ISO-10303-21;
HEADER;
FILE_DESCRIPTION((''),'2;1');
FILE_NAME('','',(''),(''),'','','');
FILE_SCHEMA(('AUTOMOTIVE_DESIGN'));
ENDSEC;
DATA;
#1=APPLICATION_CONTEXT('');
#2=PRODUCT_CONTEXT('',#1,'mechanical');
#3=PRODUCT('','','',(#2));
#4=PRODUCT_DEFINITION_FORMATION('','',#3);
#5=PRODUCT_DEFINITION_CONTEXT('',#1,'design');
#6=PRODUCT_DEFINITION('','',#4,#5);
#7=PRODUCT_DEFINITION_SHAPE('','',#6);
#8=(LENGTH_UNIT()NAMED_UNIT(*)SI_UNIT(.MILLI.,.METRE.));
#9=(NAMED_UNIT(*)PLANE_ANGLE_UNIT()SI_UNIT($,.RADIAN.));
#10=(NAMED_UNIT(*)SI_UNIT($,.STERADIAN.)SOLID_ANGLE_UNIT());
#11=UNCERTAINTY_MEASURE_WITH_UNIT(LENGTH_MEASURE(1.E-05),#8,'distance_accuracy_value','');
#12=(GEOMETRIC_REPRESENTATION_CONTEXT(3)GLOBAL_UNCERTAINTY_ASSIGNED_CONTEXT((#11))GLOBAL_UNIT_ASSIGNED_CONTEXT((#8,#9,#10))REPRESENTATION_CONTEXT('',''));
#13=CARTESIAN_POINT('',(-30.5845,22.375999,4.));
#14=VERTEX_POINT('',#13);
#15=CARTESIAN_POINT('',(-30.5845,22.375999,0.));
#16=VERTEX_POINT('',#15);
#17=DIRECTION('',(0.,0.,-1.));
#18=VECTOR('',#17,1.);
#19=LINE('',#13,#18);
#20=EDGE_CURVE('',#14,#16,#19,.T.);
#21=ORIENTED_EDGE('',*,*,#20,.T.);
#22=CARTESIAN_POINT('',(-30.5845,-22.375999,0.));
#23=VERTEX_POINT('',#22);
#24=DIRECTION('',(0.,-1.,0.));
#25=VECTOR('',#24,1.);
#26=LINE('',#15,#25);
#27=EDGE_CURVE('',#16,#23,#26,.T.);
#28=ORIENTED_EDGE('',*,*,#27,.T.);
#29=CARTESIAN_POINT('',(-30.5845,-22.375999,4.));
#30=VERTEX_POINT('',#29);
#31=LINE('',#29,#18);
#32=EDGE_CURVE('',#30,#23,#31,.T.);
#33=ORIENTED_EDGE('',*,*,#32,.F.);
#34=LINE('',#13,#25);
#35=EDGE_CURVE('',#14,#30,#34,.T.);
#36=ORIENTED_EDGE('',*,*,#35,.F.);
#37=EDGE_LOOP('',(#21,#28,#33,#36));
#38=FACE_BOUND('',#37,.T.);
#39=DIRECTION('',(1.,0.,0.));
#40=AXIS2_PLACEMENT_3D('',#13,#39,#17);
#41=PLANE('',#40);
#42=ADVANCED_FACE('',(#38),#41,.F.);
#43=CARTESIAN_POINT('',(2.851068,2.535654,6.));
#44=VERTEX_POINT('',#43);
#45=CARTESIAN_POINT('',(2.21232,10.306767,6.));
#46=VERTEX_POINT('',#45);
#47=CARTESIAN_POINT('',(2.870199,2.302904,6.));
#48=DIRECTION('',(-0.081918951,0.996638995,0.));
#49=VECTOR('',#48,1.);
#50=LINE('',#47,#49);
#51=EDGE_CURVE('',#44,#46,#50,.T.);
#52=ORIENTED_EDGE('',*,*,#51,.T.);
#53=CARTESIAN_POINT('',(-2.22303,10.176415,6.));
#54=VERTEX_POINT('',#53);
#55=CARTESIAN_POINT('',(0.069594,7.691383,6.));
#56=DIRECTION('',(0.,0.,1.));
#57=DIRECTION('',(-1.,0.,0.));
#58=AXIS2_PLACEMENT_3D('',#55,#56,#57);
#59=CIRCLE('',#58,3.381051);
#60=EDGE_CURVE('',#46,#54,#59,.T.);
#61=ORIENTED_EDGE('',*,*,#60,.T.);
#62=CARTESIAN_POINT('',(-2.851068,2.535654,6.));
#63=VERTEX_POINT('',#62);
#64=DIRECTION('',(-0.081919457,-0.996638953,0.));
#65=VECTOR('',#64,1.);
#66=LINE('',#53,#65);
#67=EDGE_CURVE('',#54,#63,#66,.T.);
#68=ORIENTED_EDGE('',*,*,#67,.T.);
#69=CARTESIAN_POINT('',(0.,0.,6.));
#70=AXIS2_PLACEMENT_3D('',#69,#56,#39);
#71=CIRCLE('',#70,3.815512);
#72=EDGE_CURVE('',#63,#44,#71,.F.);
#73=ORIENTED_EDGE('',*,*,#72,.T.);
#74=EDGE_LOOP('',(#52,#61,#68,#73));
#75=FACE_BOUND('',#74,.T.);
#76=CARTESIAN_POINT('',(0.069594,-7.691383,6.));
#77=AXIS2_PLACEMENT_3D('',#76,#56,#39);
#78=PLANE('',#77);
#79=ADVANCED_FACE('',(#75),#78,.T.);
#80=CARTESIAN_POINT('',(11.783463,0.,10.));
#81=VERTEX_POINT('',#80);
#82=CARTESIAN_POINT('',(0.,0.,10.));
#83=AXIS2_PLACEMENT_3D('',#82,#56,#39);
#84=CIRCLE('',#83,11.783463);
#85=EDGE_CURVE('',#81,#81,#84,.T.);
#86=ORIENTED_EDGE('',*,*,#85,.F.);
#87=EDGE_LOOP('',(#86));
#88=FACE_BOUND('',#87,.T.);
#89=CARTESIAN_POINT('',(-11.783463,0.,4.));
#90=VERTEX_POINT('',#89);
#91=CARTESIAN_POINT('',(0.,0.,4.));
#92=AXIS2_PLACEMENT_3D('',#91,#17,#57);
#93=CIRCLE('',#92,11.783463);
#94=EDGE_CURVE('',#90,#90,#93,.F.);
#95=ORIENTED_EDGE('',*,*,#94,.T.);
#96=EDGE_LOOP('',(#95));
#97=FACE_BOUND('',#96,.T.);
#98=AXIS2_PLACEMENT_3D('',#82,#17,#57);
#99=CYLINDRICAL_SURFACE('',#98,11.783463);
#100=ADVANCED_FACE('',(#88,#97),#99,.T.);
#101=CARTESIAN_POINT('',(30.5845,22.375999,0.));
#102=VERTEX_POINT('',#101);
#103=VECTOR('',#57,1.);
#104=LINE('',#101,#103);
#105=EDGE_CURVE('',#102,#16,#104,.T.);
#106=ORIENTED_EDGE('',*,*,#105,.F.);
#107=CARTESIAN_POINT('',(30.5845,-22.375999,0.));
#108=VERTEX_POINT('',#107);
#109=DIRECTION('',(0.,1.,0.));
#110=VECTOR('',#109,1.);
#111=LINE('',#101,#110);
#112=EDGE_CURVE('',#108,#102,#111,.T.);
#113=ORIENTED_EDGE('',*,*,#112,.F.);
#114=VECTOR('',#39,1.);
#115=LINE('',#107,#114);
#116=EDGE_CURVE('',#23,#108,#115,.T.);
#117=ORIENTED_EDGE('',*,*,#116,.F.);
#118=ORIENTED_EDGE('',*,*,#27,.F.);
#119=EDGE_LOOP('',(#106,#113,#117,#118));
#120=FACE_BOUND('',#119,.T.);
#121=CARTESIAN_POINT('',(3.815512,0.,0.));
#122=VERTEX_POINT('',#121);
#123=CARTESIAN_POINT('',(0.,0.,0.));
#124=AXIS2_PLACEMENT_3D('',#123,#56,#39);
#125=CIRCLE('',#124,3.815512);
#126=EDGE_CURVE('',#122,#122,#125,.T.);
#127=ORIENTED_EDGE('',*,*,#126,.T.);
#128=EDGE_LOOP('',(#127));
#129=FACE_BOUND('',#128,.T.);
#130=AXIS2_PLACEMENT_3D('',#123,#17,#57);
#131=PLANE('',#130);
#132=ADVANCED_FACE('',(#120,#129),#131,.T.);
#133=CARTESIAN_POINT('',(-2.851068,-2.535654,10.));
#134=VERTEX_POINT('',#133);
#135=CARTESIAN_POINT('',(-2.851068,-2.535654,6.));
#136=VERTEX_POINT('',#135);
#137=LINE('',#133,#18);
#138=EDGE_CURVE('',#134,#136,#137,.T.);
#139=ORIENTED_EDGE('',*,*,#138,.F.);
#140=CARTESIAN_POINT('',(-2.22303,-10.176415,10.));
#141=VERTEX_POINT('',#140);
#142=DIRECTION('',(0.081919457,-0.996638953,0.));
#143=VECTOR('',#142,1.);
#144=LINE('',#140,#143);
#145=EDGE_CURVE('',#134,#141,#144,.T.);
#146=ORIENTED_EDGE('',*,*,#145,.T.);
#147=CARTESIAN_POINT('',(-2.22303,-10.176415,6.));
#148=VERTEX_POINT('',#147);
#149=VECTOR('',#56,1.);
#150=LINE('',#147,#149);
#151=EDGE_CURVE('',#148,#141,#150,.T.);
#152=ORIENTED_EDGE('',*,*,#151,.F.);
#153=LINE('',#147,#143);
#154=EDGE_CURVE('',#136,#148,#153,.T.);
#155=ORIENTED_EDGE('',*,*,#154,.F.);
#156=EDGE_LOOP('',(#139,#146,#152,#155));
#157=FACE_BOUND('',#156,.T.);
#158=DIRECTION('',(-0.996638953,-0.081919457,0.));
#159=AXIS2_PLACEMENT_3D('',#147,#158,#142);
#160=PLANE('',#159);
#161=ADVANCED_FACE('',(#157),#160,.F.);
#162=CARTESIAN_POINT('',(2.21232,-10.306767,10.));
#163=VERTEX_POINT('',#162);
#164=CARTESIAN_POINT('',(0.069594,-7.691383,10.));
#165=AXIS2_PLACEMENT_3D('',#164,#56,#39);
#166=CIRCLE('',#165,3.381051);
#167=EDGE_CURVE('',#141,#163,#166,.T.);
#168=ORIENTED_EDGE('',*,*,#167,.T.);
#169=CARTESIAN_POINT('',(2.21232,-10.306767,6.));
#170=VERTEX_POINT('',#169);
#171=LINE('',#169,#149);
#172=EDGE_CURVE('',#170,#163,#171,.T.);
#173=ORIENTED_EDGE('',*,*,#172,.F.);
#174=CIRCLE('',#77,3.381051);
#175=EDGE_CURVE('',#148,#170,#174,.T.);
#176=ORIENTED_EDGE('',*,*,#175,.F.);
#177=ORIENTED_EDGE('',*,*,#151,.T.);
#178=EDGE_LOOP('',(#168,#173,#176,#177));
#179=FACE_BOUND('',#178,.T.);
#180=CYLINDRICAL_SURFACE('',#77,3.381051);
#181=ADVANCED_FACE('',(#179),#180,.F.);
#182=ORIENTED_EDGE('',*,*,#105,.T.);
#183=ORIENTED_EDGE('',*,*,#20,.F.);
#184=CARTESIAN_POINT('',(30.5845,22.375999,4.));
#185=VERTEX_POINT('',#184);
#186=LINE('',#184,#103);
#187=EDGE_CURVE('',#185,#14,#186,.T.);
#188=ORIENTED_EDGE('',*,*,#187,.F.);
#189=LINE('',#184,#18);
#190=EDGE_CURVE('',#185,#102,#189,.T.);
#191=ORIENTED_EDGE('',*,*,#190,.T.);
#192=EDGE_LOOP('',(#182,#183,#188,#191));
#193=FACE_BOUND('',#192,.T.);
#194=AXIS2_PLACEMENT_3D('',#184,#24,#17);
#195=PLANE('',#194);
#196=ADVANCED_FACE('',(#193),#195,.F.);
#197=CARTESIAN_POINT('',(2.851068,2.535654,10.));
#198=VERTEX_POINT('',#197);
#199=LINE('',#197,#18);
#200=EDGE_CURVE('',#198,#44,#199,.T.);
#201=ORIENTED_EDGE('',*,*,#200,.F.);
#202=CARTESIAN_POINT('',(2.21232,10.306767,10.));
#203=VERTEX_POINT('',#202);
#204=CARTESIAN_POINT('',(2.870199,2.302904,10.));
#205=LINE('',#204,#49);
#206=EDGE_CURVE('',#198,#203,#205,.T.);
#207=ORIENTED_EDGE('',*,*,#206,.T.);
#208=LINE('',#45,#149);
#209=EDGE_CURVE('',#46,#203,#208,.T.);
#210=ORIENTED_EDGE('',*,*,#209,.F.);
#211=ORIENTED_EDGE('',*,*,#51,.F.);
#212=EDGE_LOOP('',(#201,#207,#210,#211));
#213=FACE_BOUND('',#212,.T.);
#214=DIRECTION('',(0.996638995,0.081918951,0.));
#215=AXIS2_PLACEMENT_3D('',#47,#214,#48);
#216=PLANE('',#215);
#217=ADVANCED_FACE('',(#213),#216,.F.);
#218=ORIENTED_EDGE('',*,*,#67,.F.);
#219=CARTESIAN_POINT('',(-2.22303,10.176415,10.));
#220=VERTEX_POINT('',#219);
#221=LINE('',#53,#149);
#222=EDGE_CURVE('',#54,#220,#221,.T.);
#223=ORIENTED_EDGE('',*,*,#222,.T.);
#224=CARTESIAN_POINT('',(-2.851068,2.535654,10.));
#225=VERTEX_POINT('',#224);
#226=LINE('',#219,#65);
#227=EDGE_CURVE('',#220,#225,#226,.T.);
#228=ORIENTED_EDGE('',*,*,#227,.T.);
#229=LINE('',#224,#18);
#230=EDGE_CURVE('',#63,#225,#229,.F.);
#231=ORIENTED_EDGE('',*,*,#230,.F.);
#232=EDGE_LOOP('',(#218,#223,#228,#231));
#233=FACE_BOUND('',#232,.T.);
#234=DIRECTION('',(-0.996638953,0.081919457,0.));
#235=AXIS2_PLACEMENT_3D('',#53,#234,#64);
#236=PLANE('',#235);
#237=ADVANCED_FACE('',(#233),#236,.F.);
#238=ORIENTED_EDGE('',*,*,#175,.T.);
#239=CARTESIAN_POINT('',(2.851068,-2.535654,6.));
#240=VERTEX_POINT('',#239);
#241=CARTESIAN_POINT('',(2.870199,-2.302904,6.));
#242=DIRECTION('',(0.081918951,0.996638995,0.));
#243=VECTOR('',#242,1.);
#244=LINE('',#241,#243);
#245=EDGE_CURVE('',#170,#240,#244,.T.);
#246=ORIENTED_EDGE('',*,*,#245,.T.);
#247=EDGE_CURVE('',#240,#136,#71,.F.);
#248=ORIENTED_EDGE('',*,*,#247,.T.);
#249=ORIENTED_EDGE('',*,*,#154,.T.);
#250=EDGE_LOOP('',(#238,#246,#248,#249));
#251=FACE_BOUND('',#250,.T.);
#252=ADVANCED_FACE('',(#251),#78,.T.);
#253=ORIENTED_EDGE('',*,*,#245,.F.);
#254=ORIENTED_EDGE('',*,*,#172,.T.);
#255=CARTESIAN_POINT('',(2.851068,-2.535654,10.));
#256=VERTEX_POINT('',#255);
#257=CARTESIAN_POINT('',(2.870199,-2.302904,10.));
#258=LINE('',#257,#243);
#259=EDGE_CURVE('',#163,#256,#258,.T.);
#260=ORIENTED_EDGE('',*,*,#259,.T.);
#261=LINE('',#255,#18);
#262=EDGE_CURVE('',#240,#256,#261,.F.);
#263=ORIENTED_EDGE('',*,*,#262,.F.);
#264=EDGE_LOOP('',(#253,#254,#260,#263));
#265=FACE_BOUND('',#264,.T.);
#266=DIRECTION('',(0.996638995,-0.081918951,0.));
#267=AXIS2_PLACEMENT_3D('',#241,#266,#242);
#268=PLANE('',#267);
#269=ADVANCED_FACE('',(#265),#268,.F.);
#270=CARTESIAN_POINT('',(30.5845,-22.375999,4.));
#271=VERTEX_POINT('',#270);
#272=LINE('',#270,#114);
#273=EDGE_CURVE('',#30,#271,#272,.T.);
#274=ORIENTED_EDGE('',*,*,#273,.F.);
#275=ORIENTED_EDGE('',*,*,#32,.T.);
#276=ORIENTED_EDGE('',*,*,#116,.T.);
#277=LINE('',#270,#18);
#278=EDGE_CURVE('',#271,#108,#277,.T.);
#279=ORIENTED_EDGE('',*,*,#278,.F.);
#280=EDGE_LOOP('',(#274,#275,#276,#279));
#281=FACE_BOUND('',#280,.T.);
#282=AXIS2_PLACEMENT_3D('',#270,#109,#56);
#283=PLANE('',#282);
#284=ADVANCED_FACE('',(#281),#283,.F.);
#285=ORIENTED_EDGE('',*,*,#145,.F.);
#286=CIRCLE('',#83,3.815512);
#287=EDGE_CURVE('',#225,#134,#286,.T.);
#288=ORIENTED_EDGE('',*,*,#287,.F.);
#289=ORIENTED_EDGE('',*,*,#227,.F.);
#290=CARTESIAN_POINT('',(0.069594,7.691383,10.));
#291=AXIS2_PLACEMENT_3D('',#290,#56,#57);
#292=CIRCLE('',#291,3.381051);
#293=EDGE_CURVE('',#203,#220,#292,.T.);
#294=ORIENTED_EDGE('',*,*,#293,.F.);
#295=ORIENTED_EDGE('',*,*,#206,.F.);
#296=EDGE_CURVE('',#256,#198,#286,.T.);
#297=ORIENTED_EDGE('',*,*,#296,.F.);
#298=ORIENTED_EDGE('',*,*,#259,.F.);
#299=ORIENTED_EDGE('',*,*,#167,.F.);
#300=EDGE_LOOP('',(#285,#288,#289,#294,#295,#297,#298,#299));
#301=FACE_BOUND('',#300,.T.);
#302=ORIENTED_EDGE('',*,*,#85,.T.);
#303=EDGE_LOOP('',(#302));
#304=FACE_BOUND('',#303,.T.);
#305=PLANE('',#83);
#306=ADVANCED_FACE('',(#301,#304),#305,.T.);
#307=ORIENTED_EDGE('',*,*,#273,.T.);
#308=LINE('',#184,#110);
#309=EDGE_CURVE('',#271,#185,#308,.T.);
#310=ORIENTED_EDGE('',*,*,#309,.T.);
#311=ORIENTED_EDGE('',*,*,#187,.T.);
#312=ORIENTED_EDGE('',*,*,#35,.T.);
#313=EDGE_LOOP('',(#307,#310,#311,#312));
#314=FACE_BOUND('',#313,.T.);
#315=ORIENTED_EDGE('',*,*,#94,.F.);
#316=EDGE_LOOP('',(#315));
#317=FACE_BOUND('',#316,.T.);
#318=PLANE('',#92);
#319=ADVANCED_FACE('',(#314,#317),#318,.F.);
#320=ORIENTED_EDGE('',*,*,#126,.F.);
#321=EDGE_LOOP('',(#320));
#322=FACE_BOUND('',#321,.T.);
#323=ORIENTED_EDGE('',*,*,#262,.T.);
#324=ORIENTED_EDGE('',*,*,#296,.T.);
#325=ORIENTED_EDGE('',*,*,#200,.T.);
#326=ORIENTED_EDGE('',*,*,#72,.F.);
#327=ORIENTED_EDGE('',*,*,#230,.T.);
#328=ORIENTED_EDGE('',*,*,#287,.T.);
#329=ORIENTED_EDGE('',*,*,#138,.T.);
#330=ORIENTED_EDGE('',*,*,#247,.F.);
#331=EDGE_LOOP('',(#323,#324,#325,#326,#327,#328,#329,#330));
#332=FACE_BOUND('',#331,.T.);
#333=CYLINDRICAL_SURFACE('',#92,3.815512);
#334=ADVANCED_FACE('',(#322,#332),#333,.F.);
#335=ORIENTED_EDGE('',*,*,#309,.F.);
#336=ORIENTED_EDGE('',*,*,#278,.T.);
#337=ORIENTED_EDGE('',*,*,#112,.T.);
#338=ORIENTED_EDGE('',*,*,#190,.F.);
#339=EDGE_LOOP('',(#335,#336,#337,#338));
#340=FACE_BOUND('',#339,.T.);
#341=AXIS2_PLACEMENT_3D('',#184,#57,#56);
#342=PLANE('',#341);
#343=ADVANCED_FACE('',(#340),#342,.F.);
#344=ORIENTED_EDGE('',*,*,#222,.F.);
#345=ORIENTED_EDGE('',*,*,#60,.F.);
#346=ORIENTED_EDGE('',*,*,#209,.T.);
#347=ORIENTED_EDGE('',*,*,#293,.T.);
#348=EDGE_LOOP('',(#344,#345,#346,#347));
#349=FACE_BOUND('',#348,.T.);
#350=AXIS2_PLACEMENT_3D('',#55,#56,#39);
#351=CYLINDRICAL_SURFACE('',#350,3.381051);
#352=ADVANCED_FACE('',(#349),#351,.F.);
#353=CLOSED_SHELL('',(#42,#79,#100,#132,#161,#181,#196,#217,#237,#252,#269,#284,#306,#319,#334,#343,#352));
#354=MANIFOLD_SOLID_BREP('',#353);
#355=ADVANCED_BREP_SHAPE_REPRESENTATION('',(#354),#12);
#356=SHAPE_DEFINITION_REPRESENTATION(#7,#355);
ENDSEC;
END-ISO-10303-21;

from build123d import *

# Parameters (mm, degrees)
ESQUISSE1_W             = 61.168999858
ESQUISSE1_H             = 44.751998484
ESQUISSE1_R             = 3.815511502
BOSS_EXTRU_2_DEPTH      = 4
BOSS_EXTRU_4_START      = 4
ESQUISSE2_R             = 11.783463465
BOSS_EXTRU_4_DEPTH      = 6
ENL_V_MAT_EXTRU_1_DEPTH = 4
ESQUISSE1_2_R           = 3.815511502
ENL_V_MAT_EXTRU_3_DEPTH = 40.193073087


with BuildPart() as part:
    # Esquisse1 → Boss.-Extru.2 (new body)
    with BuildSketch(Plane.XY):
        Rectangle(ESQUISSE1_W, ESQUISSE1_H)
        Circle(ESQUISSE1_R, mode=Mode.SUBTRACT)
    extrude(amount=BOSS_EXTRU_2_DEPTH)

    # Esquisse2 → Boss.-Extru.4 (add)
    with BuildSketch(Plane.XY.offset(BOSS_EXTRU_4_START)):
        Circle(ESQUISSE2_R)
    extrude(amount=BOSS_EXTRU_4_DEPTH)

    # Esquisse4 → Enlèv. mat.-Extru.1 (cut)
    with BuildSketch(Plane.XY.offset(10)):
        with BuildLine():
            Line((2.87019869, 2.302904251), (2.212319523, 10.306766943))
            ThreePointArc((2.212319523, 10.306766943), (-0.029730087, 11.070975118), (-2.223029733, 10.17641531))
            Line((-2.223029733, 10.17641531), (-2.870198645, 2.302904307))
            ThreePointArc((-2.870198645, 2.302904307), (-3.679865285, 0), (-2.870198645, -2.302904307))
            Line((-2.870198645, -2.302904307), (-2.223029733, -10.17641531))
            ThreePointArc((-2.223029733, -10.17641531), (-0.029730087, -11.070975118), (2.212319523, -10.306766943))
            Line((2.212319523, -10.306766943), (2.87019869, -2.302904251))
            ThreePointArc((2.87019869, -2.302904251), (3.679865285, 0), (2.87019869, 2.302904251))
        make_face()
    extrude(amount=-ENL_V_MAT_EXTRU_1_DEPTH, mode=Mode.SUBTRACT)

    # Esquisse1<2> → Enlèv. mat.-Extru.3 (cut, through all)
    with BuildSketch(Plane.XY):
        Circle(ESQUISSE1_2_R)
    extrude(amount=ENL_V_MAT_EXTRU_3_DEPTH, mode=Mode.SUBTRACT)


solid = part.part
